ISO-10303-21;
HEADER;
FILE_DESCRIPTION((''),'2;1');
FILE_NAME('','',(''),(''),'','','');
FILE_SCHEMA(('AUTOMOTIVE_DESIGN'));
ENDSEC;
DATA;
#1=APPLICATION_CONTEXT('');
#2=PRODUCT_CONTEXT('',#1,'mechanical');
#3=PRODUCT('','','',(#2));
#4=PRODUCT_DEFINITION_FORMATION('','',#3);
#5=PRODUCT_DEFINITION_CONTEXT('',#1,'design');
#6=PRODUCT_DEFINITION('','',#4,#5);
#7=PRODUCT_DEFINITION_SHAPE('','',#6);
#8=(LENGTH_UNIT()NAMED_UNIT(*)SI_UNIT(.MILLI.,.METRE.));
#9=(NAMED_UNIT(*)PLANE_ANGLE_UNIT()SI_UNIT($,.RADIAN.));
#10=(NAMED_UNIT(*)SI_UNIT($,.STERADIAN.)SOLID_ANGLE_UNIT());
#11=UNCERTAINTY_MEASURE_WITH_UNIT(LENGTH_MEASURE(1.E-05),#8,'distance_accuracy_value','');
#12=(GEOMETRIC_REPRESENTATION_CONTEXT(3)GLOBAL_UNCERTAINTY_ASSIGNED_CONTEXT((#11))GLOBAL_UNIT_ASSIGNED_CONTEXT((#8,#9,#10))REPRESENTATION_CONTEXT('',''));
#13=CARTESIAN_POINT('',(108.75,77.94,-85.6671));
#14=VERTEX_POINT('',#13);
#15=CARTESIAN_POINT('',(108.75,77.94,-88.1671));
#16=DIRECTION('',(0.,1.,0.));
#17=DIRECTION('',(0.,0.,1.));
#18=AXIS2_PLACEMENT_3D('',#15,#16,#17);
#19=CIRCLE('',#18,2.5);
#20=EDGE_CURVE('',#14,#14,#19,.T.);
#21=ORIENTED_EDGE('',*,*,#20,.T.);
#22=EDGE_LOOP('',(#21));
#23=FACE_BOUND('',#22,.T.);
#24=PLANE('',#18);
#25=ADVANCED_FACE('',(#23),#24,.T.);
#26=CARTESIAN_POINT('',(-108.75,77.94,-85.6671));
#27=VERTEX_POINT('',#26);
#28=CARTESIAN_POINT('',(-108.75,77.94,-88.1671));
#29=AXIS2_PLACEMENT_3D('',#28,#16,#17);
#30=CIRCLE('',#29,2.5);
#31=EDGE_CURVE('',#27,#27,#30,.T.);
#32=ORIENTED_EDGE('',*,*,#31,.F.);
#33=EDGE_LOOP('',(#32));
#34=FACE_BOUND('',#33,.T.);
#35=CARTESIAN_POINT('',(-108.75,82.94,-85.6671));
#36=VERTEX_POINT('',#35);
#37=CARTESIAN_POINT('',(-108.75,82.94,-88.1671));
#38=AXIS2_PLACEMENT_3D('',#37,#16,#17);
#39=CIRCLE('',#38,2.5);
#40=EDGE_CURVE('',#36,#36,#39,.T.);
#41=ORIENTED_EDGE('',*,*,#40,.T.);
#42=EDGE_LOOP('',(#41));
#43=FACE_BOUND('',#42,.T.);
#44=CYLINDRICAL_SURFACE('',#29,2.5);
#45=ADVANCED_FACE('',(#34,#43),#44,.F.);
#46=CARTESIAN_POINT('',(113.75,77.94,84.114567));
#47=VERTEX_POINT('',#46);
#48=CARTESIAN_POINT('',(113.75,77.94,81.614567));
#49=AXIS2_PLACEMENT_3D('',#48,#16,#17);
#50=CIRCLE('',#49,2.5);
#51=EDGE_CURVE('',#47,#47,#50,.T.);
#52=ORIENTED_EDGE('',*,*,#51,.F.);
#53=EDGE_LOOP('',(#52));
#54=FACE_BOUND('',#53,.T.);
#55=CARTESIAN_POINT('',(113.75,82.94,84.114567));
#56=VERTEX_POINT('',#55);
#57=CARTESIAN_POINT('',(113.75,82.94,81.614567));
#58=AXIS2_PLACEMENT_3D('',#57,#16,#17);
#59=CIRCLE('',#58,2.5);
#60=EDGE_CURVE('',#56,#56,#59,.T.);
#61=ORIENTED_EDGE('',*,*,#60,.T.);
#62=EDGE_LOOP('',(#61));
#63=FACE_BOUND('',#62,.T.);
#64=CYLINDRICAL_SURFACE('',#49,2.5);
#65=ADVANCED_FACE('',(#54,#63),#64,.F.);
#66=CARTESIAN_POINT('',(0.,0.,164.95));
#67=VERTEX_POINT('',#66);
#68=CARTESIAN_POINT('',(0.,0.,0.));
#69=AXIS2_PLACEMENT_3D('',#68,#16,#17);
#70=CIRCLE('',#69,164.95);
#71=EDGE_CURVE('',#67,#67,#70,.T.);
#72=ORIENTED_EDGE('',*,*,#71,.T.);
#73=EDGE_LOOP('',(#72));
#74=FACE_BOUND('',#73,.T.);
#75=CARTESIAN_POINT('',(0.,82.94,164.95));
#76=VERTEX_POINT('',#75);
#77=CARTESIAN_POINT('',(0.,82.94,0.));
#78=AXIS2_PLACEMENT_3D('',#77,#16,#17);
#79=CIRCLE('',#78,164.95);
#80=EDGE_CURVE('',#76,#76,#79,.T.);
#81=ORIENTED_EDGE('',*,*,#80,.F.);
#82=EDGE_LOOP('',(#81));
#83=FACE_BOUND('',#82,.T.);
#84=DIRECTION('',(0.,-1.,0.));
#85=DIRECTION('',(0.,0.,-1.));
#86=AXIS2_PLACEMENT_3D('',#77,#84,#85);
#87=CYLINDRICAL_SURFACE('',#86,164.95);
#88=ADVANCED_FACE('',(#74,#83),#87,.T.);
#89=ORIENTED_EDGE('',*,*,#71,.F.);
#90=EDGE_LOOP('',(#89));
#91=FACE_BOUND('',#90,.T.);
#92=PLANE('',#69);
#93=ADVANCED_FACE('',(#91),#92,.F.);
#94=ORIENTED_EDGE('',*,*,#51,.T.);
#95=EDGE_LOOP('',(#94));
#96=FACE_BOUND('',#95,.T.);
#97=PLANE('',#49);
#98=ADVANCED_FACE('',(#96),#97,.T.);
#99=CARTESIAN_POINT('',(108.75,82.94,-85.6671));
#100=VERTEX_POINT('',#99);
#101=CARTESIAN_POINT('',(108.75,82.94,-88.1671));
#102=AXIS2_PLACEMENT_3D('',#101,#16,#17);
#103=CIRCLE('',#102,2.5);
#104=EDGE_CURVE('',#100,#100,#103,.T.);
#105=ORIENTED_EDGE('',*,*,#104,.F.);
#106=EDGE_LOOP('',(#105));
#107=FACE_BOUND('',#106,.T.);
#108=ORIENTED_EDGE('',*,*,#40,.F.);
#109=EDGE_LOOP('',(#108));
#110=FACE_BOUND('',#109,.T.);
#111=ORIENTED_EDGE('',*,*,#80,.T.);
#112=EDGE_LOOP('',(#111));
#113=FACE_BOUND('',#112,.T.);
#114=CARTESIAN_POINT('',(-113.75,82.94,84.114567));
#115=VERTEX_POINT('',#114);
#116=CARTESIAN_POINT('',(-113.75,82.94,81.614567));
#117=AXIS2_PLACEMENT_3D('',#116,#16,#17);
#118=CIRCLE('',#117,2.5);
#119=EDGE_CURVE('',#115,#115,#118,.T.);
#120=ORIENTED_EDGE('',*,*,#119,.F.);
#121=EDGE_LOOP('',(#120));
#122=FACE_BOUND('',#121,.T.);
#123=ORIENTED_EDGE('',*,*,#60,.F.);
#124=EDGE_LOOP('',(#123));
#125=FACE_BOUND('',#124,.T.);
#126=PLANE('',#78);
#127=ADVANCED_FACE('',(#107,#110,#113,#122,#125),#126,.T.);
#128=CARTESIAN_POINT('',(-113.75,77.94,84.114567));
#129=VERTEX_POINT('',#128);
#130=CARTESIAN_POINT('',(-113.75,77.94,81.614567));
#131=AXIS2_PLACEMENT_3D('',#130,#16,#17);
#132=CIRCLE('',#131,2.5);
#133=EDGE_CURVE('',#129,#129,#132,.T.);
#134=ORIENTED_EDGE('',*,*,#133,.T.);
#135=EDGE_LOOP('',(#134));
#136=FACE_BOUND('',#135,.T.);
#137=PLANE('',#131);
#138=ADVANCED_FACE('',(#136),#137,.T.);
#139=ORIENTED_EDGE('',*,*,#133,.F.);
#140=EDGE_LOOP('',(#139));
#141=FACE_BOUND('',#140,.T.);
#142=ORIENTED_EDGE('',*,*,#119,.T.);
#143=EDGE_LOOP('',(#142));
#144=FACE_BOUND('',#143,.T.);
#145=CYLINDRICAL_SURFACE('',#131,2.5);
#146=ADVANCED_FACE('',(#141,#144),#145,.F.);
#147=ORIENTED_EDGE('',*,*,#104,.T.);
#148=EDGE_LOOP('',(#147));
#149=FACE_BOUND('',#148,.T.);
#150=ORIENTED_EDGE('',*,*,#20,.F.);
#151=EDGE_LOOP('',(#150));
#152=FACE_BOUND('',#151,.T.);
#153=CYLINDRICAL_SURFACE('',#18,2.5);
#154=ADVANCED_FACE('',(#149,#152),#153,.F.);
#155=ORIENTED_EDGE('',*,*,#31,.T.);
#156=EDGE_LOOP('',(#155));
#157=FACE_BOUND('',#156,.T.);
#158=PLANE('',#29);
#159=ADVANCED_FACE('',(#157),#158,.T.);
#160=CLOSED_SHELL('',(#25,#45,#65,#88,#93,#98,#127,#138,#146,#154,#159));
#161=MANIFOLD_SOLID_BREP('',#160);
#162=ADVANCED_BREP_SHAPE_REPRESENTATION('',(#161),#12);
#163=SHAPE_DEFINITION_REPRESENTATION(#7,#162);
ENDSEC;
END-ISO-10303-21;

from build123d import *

# Parameters (mm, degrees)
SKETCH1_R           = 164.95
BOSS_EXTRUDE1_DEPTH = 82.94
SKETCH2_R           = 2.5
CUT_EXTRUDE1_DEPTH  = 5


with BuildPart() as part:
    # Sketch1 → Boss-Extrude1 (new body)
    with BuildSketch(Plane(origin=(0, 0, 0), x_dir=(1, 0, 0), z_dir=(0, 1, 0))):
        with Locations(Location((0, 0, 0), (0, 0, 270))):
            Circle(SKETCH1_R)
    extrude(amount=BOSS_EXTRUDE1_DEPTH)

    # Sketch2 → Cut-Extrude1 (cut)
    with BuildSketch(Plane(origin=(0, 82.94, 0), x_dir=(1, 0, 0), z_dir=(0, 1, 0))):
        with Locations(Location((-108.75, 88.167099873, 0), (0, 0, 270))):
            Circle(SKETCH2_R)
        with Locations(Location((108.75, 88.167099873, 0), (0, 0, 270))):
            Circle(SKETCH2_R)
        with Locations(Location((-113.75, -81.614566715, 0), (0, 0, 270))):
            Circle(SKETCH2_R)
        with Locations(Location((113.75, -81.614566715, 0), (0, 0, 270))):
            Circle(SKETCH2_R)
    extrude(amount=-CUT_EXTRUDE1_DEPTH, mode=Mode.SUBTRACT)


solid = part.part
